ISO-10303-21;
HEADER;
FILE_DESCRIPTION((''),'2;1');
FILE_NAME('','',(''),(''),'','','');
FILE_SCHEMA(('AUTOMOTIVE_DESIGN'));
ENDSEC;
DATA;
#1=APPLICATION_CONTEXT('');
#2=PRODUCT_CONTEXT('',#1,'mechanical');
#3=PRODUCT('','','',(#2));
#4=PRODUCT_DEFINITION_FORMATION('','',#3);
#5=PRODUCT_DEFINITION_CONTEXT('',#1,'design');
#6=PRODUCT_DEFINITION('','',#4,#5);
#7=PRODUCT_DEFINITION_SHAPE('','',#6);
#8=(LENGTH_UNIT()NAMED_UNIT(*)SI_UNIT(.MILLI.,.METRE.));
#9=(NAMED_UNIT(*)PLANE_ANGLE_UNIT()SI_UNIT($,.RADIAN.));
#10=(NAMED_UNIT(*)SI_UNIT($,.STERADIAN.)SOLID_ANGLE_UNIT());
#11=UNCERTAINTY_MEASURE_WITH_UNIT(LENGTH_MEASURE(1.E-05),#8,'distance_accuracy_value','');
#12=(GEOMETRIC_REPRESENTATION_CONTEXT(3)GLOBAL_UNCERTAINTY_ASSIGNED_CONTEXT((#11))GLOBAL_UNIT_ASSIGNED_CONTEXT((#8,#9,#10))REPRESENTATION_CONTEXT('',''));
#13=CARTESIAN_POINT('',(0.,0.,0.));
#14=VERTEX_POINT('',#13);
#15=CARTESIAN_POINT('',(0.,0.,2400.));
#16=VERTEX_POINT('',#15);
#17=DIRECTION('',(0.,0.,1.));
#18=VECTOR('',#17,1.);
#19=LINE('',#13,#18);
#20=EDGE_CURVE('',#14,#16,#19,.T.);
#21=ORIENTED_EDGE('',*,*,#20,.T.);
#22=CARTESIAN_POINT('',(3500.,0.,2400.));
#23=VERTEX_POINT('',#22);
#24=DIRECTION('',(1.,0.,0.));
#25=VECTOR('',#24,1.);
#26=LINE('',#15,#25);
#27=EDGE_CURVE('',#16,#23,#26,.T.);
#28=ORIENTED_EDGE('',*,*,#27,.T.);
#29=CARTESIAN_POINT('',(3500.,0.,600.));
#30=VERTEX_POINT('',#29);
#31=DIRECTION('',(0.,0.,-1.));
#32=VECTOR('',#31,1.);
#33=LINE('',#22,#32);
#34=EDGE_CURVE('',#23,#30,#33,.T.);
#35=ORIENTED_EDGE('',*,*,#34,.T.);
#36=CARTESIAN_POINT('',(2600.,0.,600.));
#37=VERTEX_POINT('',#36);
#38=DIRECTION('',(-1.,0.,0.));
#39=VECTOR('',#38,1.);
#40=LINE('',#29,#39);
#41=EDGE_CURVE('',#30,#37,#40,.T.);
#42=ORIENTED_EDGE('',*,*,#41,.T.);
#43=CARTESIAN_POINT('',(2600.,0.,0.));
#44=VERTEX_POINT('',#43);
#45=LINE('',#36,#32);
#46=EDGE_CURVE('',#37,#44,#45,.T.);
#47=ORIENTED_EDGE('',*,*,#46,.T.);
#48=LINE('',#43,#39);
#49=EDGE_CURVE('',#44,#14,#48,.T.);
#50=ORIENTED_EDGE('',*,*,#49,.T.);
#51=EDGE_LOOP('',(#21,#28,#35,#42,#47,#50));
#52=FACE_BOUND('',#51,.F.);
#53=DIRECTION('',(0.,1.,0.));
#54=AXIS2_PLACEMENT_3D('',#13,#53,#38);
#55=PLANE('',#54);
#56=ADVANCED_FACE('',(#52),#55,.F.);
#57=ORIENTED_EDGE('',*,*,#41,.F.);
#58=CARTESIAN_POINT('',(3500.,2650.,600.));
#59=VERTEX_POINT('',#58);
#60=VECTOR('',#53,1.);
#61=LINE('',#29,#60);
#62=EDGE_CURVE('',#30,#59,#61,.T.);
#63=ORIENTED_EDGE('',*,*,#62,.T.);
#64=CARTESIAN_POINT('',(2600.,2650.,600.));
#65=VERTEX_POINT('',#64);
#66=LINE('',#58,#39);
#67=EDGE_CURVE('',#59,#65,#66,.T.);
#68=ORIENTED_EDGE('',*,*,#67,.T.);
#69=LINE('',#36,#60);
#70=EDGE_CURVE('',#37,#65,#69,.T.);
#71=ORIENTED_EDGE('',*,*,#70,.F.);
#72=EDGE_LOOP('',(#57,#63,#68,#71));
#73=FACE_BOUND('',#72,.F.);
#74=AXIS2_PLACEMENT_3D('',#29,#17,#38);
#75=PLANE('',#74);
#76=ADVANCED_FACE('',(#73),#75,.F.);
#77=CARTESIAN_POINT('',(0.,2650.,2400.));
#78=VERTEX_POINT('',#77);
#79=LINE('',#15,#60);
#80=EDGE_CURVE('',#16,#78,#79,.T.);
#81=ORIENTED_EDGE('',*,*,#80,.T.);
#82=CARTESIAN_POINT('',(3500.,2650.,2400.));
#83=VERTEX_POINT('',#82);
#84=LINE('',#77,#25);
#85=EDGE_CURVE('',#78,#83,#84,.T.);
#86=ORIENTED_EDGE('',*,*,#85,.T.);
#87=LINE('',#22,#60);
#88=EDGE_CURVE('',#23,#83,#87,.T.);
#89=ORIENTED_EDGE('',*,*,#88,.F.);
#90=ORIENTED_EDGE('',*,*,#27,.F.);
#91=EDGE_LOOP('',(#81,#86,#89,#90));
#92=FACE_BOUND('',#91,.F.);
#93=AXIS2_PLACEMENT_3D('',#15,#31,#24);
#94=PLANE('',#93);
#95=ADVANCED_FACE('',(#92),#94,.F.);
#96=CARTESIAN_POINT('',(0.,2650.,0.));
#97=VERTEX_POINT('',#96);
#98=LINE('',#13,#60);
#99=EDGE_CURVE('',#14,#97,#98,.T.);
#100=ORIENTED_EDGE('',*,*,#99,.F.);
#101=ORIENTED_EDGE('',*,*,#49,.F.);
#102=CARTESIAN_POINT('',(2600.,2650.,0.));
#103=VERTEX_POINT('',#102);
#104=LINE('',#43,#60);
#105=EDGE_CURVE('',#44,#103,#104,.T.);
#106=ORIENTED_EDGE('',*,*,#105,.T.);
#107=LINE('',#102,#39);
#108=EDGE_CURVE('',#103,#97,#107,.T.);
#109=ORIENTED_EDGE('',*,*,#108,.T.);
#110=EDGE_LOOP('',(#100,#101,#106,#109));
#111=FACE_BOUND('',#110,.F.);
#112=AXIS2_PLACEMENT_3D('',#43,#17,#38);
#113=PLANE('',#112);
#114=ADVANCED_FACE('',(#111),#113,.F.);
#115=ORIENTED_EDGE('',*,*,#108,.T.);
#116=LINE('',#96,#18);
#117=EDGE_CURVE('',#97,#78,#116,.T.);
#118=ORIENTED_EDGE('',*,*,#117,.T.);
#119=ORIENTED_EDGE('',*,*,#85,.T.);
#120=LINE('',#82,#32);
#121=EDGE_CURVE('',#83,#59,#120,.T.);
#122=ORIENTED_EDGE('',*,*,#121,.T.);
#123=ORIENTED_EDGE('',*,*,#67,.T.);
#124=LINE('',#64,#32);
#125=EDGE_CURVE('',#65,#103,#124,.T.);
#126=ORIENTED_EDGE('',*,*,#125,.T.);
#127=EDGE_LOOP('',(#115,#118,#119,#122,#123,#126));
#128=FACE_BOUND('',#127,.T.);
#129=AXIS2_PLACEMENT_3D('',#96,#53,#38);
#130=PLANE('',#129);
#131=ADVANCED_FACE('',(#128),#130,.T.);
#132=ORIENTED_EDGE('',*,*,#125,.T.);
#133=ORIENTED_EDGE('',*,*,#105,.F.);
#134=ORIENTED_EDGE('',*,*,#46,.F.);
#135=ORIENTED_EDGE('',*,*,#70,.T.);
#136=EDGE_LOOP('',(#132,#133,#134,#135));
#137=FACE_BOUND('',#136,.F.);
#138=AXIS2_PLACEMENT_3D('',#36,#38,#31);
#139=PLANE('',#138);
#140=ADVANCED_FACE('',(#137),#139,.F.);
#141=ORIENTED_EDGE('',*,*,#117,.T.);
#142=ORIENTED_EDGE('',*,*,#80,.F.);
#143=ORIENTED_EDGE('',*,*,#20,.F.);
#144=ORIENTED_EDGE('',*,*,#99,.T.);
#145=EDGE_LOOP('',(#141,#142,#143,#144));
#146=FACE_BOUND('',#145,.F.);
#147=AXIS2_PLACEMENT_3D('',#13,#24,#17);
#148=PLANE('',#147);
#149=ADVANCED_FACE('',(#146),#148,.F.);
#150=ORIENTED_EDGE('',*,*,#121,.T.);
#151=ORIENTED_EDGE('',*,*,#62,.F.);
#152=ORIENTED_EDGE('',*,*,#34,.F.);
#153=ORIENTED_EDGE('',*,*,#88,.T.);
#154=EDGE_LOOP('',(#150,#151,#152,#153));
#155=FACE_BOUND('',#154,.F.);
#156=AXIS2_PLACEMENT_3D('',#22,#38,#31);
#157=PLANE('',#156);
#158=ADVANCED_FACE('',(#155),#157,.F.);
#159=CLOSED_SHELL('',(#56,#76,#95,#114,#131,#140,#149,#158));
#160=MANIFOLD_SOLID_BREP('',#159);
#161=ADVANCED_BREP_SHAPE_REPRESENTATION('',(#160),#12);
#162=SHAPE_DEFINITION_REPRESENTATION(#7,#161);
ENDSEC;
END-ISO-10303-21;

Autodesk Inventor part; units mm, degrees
ref_plane "YZ Plane" through (0, 0, 0) normal (1, 0, 0) x (0, 1, 0)
ref_plane "XZ Plane" through (0, 0, 0) normal (0, 1, 0) x (-1, 0, 0)
ref_plane "XY Plane" through (0, 0, 0) normal (0, 0, 1) x (1, 0, 0)
sketch "草图1" plane through (0, 0, 0) normal (0, 1, 0) x (-1, 0, 0)
  line L0 (0, 0) -> (0, 2400)
  line L1 (0, 2400) -> (-3500, 2400)
  line L2 (-3500, 2400) -> (-3500, 600)
  line L3 (-3500, 600) -> (-2600, 600)
  line L4 (-2600, 600) -> (-2600, 0)
  line L5 (-2600, 0) -> (0, 0)
  dimension "d0" = 2400
  dimension "d1" = 3500
  dimension "d2" = 1800
  dimension "d3" = 900
extrude "拉伸1" add sketch "草图1" along normal blind 2650
properties part number "air"
